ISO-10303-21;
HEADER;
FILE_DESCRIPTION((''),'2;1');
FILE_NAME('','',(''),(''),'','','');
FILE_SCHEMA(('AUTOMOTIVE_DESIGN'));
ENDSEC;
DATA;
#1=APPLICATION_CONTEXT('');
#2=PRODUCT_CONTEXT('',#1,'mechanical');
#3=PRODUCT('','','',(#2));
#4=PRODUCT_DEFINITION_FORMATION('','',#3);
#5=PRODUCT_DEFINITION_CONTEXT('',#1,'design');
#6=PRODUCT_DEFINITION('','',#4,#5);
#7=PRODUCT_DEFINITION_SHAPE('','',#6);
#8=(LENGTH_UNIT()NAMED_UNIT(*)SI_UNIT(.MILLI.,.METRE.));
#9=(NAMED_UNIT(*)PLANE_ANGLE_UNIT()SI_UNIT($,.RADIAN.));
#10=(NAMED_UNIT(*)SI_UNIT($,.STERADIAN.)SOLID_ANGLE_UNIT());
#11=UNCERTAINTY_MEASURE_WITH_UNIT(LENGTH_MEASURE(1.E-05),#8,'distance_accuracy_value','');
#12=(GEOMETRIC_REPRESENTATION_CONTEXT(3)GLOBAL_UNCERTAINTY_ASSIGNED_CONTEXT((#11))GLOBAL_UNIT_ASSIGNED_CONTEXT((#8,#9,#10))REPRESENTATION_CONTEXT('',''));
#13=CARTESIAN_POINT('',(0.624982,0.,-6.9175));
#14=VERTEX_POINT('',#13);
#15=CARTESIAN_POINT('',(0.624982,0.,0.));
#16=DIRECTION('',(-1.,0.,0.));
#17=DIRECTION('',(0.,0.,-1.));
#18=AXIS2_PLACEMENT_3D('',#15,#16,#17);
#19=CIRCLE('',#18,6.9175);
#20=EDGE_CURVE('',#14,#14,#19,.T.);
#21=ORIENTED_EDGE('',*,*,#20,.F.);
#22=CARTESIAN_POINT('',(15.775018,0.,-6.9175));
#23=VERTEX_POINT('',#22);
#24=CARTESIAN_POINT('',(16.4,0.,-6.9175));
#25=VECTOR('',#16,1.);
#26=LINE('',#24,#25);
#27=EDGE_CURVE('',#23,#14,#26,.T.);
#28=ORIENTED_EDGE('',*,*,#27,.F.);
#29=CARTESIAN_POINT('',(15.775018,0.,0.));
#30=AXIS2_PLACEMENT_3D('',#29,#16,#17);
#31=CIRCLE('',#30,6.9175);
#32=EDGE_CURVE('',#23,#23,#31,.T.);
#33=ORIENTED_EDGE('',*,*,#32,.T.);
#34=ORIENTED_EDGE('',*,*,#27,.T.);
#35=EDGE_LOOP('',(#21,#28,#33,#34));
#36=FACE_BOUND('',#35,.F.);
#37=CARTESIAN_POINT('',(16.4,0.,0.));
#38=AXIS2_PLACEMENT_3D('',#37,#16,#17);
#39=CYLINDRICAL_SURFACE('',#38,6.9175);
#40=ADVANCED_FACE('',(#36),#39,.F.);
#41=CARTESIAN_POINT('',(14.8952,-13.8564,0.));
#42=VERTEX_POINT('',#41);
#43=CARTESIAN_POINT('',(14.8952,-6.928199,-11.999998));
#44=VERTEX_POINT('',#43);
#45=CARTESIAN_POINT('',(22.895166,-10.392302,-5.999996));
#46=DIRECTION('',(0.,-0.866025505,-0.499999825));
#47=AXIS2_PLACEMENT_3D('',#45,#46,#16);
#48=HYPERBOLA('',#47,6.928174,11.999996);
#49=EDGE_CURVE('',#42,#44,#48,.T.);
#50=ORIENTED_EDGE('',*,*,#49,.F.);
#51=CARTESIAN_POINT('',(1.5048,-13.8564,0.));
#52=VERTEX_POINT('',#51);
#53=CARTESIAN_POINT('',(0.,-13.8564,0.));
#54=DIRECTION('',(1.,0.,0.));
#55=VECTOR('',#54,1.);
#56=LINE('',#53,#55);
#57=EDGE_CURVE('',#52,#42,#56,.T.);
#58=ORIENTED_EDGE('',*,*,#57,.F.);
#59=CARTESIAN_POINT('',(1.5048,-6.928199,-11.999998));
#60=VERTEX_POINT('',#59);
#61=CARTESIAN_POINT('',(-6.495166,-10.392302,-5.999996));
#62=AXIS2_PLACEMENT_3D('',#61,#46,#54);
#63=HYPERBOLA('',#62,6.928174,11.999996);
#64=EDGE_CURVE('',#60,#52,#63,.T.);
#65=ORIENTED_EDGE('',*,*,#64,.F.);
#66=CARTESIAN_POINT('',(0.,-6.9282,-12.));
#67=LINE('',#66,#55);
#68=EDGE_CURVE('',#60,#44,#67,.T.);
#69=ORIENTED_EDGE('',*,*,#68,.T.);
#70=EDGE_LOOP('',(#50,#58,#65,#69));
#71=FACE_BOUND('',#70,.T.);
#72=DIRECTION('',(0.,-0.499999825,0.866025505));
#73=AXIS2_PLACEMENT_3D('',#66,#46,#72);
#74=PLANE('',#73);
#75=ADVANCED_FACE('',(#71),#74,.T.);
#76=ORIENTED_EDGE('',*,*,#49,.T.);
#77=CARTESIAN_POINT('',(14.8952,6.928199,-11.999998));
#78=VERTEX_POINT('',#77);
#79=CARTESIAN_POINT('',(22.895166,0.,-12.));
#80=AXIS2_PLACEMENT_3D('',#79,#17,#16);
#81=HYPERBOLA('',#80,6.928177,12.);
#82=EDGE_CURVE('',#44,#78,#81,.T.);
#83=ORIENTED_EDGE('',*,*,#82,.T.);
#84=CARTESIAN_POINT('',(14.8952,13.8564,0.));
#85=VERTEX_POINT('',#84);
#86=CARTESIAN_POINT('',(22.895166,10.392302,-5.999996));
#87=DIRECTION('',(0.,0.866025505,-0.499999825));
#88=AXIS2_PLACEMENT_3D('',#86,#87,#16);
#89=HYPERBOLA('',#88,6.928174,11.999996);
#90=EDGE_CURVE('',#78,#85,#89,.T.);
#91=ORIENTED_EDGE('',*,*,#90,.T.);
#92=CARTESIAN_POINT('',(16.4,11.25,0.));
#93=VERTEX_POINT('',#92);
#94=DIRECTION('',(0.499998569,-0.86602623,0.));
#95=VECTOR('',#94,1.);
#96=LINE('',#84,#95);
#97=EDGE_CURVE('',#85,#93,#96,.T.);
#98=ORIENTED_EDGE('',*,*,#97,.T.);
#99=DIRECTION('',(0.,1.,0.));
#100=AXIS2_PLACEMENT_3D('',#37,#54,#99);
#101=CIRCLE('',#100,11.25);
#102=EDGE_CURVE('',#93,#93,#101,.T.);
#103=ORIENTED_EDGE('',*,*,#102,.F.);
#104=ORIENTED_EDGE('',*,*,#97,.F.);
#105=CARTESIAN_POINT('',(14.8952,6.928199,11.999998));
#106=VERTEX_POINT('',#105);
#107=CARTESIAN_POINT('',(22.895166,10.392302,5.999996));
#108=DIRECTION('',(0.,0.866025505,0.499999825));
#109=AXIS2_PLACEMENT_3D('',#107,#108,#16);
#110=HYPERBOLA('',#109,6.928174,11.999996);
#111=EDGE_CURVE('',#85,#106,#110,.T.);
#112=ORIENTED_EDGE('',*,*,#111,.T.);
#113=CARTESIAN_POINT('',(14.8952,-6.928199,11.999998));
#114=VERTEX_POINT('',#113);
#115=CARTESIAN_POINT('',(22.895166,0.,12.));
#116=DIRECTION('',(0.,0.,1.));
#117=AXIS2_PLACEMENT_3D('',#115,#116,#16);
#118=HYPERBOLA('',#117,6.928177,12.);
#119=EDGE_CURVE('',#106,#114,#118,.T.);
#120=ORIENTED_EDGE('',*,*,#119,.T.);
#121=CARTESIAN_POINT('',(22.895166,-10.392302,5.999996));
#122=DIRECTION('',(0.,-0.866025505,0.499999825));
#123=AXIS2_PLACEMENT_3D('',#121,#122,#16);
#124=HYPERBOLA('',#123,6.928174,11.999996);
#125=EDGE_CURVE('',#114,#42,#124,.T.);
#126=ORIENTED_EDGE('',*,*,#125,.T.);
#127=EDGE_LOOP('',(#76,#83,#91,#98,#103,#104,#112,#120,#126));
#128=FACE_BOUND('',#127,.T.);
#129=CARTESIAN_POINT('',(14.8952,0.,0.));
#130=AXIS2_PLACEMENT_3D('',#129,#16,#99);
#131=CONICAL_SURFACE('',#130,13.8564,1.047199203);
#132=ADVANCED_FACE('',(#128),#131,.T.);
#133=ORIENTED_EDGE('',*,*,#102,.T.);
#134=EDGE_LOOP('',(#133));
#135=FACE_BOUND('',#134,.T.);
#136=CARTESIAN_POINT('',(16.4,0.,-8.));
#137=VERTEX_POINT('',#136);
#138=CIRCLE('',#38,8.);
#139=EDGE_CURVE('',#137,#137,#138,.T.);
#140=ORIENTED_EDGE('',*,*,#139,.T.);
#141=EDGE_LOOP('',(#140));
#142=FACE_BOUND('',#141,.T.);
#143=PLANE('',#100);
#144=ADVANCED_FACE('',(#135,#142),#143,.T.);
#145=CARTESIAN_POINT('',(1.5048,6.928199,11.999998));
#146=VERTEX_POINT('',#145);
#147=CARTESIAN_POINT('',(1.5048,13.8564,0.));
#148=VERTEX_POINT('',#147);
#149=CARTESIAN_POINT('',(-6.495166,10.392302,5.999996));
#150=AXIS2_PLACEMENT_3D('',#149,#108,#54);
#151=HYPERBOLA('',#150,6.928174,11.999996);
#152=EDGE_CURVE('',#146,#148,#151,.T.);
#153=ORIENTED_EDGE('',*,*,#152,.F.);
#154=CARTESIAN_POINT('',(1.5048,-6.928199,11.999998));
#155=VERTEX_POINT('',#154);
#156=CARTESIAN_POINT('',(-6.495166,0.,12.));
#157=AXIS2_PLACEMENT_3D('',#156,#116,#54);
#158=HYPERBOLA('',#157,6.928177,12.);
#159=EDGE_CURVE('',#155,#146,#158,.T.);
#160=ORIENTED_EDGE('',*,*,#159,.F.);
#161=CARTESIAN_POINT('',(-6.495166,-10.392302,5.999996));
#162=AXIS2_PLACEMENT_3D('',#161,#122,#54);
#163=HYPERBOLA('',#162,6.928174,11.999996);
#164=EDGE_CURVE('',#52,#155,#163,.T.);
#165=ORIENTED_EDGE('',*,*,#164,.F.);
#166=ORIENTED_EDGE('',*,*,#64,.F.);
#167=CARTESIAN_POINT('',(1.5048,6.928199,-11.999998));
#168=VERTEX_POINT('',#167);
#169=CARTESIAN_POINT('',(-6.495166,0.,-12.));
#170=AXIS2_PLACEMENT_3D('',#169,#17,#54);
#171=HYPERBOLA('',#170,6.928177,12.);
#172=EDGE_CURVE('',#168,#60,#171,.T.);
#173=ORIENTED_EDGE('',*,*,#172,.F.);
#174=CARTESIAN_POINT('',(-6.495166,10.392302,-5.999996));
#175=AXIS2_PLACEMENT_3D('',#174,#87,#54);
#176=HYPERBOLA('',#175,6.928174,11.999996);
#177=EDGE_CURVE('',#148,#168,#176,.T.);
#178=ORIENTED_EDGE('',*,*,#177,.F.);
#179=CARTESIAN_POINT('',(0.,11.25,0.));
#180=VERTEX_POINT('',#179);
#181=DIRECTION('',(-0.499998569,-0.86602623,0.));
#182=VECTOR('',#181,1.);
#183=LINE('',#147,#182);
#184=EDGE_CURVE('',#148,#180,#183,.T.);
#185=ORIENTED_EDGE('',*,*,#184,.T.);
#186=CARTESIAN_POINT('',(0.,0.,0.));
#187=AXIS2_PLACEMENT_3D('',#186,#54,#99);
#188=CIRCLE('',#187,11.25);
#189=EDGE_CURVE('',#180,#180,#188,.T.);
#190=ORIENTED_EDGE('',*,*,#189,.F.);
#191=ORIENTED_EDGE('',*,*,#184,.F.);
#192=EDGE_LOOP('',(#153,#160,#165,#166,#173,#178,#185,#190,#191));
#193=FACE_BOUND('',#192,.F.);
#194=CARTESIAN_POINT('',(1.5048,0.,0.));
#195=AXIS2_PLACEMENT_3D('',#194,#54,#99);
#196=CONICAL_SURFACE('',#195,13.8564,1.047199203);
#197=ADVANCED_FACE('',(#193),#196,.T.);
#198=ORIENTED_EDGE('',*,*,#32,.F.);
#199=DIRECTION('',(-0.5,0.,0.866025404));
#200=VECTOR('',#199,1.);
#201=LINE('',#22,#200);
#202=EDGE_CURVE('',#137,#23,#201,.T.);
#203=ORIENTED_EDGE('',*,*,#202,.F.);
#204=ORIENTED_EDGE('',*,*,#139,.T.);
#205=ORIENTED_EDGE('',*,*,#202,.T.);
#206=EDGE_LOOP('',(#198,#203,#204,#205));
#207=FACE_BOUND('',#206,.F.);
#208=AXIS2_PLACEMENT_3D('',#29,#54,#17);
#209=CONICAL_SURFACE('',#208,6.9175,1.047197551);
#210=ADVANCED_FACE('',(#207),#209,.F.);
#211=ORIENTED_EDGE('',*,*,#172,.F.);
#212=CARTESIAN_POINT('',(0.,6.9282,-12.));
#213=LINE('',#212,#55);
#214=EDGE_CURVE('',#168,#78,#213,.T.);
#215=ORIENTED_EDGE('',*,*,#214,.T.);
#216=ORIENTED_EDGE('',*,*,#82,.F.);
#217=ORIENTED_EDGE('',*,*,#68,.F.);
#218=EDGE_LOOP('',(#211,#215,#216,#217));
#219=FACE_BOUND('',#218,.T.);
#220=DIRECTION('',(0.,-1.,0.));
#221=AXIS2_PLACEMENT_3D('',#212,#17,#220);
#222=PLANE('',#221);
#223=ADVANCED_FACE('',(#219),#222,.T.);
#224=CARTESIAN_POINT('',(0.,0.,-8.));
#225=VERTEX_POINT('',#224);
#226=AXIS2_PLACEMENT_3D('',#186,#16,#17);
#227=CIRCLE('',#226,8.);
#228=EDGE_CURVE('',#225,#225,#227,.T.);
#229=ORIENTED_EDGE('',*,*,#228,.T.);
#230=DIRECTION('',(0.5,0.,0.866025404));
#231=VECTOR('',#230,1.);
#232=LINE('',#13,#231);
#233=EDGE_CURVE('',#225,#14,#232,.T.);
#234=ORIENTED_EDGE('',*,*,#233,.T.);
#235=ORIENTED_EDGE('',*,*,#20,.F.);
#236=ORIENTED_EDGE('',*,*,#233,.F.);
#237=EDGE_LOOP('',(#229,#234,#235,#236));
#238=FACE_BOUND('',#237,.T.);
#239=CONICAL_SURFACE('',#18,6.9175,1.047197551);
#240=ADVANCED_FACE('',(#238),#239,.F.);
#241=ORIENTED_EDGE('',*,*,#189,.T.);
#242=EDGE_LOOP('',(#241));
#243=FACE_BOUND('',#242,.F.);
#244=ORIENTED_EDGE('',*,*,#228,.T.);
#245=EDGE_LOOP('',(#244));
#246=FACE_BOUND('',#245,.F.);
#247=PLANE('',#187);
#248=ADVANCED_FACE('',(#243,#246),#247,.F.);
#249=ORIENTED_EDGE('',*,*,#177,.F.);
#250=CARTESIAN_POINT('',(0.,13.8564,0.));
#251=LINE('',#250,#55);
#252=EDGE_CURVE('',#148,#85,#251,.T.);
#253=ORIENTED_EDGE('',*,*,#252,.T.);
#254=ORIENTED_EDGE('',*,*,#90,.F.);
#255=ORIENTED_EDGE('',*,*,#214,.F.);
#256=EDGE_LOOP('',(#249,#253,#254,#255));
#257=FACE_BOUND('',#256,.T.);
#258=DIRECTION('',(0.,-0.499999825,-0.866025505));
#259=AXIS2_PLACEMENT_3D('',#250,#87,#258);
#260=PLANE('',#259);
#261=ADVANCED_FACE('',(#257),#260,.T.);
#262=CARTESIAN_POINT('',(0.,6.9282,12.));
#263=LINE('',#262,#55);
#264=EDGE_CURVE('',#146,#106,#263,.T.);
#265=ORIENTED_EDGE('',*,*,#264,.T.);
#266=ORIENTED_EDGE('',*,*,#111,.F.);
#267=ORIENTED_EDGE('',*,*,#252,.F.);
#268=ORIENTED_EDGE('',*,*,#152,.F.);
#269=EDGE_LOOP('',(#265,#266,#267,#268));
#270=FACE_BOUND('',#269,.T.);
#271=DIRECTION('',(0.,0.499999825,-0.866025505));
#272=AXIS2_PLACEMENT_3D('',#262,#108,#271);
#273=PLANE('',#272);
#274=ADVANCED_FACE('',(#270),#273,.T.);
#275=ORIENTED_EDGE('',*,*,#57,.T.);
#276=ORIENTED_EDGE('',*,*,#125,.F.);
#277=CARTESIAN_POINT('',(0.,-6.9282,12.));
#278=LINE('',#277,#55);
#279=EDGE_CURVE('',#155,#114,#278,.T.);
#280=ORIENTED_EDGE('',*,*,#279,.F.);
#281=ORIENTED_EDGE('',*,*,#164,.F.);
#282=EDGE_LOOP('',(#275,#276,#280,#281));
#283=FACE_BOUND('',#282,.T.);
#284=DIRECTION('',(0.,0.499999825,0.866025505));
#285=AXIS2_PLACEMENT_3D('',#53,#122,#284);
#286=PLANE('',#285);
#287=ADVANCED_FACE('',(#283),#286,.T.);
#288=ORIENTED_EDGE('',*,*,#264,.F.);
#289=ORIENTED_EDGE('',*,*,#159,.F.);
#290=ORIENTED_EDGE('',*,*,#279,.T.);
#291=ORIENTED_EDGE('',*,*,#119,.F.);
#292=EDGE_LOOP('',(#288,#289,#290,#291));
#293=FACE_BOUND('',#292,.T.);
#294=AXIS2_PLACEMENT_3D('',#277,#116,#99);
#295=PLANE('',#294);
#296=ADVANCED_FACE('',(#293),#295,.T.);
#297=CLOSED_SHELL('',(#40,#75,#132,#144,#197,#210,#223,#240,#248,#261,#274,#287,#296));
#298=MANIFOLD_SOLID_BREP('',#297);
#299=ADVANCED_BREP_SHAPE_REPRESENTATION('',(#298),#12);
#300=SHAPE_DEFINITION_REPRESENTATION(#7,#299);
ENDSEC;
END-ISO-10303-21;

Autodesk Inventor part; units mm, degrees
ref_plane "YZ Plane" through (0, 0, 0) normal (1, 0, 0) x (0, 1, 0)
ref_plane "XZ Plane" through (0, 0, 0) normal (0, 1, 0) x (-1, 0, 0)
sketch "Sketch1" plane through (0, 0, 0) normal (1, 0, 0) x (0, 1, 0)
  line L0 (-13.8564, 0) -> (-6.9282, 12)
  line L1 (-6.9282, 12) -> (6.9282, 12)
  line L2 (6.9282, 12) -> (13.8564, 0)
  line L3 (13.8564, 0) -> (6.9282, -12)
  line L4 (6.9282, -12) -> (-6.9282, -12)
  line L5 (-6.9282, -12) -> (-13.8564, 0)
  point P0 (0, 0)
  point P1 (0, 0)
  dimension "d0" = 27.7128
extrude "Body" add sketch "Sketch1" along normal blind 16.4
sketch "Sketch2" plane through (0, 0, 0) normal (0, 0, 1) x (1, 0, 0)
  line L0 (0, 6.9282) -> (0, 13.8564) projected
  line L1 (0, 13.8564) -> (16.4, 13.8564) projected
  line L2 (16.4, 6.9282) -> (16.4, 13.8564) projected
  line L3 (-3.28, 0) -> (19.68, 0) projected
  line L4 (1.5048, 13.8564) -> (0, 11.25)
  line L5 (14.8952, 13.8564) -> (16.4, 11.25)
  dimension "d3" = 30
  dimension "d4" = 30
  dimension "d5" = 22.5
  dimension "d6" = 22.5
revolve "Chamfer1" cut sketch "Sketch2" angle 360 about axis through (-10, 0, 0) along (1, 0, 0)
sketch "Sketch3" plane through (16.4, 0, 0) normal (1, 0, 0) x (0, 0, -1)
  arc A0 (-0.625, -1.0825) -> (0.625, -1.0825) centre (0, 0) ccw projected
hole "Thread" at (16.4, 0, 0) direction (-1, 0, 0) diameter 13.835 end through all thread size "M16x2" class "6H" standard "ISO Metric profile"
chamfer "Chamfer2" distance 1.0825 angle 30 1 edges at (16.4, 0, 6.9175) measured on face at (16.4, 9.6801, -1.1754)
chamfer "Chamfer3" distance 1.0825 angle 30 1 edges at (0, 0, 6.9175) measured on face at (0, 9.6801, -1.1754)
ref_plane "Work Plane1" through (-24.1762, 0, 0) normal (0, -0.866, -0.5) x (1, 0, 0)
equation "\"d0\" = 1.1547 * SW"
equation "\"d1\" = KOH"
equation "\"d8\" = -0.5 * GD1 + 0.5 * NND"
equation "\"d40\" = -0.5 * GD1 + 0.5 * NND"
equation "\"d10\" = -0.5 * GD1 + 0.5 * NND"
equation "\"d41\" = -0.5 * GD1 + 0.5 * NND"
equation "\"d3\" = ANG1"
equation "\"d4\" = ANG2"
equation "\"d5\" = SW0"
equation "\"d6\" = SW01"
equation "\"ANG1\" = 30deg"
equation "\"ANG2\" = 30deg"
equation "\"NND\" = 16"
equation "\"KOH\" = 16.4"
equation "\"SW\" = 24"
equation "\"SW0\" = 22.5"
equation "\"SW01\" = SW0"
equation "\"GUL\" = 0.541266 * PTC"
equation "\"THREADDIA\" = 16"
equation "\"TOA\" = 30deg"
equation "\"PTC\" = 2"
equation "\"E0\" = 1.155 * SW"
equation "\"GAL\" = 0.541266 * PTC"
equation "\"GD1\" = 13.834936"
properties part number "ISO 4033 - M16" material "Steel"
